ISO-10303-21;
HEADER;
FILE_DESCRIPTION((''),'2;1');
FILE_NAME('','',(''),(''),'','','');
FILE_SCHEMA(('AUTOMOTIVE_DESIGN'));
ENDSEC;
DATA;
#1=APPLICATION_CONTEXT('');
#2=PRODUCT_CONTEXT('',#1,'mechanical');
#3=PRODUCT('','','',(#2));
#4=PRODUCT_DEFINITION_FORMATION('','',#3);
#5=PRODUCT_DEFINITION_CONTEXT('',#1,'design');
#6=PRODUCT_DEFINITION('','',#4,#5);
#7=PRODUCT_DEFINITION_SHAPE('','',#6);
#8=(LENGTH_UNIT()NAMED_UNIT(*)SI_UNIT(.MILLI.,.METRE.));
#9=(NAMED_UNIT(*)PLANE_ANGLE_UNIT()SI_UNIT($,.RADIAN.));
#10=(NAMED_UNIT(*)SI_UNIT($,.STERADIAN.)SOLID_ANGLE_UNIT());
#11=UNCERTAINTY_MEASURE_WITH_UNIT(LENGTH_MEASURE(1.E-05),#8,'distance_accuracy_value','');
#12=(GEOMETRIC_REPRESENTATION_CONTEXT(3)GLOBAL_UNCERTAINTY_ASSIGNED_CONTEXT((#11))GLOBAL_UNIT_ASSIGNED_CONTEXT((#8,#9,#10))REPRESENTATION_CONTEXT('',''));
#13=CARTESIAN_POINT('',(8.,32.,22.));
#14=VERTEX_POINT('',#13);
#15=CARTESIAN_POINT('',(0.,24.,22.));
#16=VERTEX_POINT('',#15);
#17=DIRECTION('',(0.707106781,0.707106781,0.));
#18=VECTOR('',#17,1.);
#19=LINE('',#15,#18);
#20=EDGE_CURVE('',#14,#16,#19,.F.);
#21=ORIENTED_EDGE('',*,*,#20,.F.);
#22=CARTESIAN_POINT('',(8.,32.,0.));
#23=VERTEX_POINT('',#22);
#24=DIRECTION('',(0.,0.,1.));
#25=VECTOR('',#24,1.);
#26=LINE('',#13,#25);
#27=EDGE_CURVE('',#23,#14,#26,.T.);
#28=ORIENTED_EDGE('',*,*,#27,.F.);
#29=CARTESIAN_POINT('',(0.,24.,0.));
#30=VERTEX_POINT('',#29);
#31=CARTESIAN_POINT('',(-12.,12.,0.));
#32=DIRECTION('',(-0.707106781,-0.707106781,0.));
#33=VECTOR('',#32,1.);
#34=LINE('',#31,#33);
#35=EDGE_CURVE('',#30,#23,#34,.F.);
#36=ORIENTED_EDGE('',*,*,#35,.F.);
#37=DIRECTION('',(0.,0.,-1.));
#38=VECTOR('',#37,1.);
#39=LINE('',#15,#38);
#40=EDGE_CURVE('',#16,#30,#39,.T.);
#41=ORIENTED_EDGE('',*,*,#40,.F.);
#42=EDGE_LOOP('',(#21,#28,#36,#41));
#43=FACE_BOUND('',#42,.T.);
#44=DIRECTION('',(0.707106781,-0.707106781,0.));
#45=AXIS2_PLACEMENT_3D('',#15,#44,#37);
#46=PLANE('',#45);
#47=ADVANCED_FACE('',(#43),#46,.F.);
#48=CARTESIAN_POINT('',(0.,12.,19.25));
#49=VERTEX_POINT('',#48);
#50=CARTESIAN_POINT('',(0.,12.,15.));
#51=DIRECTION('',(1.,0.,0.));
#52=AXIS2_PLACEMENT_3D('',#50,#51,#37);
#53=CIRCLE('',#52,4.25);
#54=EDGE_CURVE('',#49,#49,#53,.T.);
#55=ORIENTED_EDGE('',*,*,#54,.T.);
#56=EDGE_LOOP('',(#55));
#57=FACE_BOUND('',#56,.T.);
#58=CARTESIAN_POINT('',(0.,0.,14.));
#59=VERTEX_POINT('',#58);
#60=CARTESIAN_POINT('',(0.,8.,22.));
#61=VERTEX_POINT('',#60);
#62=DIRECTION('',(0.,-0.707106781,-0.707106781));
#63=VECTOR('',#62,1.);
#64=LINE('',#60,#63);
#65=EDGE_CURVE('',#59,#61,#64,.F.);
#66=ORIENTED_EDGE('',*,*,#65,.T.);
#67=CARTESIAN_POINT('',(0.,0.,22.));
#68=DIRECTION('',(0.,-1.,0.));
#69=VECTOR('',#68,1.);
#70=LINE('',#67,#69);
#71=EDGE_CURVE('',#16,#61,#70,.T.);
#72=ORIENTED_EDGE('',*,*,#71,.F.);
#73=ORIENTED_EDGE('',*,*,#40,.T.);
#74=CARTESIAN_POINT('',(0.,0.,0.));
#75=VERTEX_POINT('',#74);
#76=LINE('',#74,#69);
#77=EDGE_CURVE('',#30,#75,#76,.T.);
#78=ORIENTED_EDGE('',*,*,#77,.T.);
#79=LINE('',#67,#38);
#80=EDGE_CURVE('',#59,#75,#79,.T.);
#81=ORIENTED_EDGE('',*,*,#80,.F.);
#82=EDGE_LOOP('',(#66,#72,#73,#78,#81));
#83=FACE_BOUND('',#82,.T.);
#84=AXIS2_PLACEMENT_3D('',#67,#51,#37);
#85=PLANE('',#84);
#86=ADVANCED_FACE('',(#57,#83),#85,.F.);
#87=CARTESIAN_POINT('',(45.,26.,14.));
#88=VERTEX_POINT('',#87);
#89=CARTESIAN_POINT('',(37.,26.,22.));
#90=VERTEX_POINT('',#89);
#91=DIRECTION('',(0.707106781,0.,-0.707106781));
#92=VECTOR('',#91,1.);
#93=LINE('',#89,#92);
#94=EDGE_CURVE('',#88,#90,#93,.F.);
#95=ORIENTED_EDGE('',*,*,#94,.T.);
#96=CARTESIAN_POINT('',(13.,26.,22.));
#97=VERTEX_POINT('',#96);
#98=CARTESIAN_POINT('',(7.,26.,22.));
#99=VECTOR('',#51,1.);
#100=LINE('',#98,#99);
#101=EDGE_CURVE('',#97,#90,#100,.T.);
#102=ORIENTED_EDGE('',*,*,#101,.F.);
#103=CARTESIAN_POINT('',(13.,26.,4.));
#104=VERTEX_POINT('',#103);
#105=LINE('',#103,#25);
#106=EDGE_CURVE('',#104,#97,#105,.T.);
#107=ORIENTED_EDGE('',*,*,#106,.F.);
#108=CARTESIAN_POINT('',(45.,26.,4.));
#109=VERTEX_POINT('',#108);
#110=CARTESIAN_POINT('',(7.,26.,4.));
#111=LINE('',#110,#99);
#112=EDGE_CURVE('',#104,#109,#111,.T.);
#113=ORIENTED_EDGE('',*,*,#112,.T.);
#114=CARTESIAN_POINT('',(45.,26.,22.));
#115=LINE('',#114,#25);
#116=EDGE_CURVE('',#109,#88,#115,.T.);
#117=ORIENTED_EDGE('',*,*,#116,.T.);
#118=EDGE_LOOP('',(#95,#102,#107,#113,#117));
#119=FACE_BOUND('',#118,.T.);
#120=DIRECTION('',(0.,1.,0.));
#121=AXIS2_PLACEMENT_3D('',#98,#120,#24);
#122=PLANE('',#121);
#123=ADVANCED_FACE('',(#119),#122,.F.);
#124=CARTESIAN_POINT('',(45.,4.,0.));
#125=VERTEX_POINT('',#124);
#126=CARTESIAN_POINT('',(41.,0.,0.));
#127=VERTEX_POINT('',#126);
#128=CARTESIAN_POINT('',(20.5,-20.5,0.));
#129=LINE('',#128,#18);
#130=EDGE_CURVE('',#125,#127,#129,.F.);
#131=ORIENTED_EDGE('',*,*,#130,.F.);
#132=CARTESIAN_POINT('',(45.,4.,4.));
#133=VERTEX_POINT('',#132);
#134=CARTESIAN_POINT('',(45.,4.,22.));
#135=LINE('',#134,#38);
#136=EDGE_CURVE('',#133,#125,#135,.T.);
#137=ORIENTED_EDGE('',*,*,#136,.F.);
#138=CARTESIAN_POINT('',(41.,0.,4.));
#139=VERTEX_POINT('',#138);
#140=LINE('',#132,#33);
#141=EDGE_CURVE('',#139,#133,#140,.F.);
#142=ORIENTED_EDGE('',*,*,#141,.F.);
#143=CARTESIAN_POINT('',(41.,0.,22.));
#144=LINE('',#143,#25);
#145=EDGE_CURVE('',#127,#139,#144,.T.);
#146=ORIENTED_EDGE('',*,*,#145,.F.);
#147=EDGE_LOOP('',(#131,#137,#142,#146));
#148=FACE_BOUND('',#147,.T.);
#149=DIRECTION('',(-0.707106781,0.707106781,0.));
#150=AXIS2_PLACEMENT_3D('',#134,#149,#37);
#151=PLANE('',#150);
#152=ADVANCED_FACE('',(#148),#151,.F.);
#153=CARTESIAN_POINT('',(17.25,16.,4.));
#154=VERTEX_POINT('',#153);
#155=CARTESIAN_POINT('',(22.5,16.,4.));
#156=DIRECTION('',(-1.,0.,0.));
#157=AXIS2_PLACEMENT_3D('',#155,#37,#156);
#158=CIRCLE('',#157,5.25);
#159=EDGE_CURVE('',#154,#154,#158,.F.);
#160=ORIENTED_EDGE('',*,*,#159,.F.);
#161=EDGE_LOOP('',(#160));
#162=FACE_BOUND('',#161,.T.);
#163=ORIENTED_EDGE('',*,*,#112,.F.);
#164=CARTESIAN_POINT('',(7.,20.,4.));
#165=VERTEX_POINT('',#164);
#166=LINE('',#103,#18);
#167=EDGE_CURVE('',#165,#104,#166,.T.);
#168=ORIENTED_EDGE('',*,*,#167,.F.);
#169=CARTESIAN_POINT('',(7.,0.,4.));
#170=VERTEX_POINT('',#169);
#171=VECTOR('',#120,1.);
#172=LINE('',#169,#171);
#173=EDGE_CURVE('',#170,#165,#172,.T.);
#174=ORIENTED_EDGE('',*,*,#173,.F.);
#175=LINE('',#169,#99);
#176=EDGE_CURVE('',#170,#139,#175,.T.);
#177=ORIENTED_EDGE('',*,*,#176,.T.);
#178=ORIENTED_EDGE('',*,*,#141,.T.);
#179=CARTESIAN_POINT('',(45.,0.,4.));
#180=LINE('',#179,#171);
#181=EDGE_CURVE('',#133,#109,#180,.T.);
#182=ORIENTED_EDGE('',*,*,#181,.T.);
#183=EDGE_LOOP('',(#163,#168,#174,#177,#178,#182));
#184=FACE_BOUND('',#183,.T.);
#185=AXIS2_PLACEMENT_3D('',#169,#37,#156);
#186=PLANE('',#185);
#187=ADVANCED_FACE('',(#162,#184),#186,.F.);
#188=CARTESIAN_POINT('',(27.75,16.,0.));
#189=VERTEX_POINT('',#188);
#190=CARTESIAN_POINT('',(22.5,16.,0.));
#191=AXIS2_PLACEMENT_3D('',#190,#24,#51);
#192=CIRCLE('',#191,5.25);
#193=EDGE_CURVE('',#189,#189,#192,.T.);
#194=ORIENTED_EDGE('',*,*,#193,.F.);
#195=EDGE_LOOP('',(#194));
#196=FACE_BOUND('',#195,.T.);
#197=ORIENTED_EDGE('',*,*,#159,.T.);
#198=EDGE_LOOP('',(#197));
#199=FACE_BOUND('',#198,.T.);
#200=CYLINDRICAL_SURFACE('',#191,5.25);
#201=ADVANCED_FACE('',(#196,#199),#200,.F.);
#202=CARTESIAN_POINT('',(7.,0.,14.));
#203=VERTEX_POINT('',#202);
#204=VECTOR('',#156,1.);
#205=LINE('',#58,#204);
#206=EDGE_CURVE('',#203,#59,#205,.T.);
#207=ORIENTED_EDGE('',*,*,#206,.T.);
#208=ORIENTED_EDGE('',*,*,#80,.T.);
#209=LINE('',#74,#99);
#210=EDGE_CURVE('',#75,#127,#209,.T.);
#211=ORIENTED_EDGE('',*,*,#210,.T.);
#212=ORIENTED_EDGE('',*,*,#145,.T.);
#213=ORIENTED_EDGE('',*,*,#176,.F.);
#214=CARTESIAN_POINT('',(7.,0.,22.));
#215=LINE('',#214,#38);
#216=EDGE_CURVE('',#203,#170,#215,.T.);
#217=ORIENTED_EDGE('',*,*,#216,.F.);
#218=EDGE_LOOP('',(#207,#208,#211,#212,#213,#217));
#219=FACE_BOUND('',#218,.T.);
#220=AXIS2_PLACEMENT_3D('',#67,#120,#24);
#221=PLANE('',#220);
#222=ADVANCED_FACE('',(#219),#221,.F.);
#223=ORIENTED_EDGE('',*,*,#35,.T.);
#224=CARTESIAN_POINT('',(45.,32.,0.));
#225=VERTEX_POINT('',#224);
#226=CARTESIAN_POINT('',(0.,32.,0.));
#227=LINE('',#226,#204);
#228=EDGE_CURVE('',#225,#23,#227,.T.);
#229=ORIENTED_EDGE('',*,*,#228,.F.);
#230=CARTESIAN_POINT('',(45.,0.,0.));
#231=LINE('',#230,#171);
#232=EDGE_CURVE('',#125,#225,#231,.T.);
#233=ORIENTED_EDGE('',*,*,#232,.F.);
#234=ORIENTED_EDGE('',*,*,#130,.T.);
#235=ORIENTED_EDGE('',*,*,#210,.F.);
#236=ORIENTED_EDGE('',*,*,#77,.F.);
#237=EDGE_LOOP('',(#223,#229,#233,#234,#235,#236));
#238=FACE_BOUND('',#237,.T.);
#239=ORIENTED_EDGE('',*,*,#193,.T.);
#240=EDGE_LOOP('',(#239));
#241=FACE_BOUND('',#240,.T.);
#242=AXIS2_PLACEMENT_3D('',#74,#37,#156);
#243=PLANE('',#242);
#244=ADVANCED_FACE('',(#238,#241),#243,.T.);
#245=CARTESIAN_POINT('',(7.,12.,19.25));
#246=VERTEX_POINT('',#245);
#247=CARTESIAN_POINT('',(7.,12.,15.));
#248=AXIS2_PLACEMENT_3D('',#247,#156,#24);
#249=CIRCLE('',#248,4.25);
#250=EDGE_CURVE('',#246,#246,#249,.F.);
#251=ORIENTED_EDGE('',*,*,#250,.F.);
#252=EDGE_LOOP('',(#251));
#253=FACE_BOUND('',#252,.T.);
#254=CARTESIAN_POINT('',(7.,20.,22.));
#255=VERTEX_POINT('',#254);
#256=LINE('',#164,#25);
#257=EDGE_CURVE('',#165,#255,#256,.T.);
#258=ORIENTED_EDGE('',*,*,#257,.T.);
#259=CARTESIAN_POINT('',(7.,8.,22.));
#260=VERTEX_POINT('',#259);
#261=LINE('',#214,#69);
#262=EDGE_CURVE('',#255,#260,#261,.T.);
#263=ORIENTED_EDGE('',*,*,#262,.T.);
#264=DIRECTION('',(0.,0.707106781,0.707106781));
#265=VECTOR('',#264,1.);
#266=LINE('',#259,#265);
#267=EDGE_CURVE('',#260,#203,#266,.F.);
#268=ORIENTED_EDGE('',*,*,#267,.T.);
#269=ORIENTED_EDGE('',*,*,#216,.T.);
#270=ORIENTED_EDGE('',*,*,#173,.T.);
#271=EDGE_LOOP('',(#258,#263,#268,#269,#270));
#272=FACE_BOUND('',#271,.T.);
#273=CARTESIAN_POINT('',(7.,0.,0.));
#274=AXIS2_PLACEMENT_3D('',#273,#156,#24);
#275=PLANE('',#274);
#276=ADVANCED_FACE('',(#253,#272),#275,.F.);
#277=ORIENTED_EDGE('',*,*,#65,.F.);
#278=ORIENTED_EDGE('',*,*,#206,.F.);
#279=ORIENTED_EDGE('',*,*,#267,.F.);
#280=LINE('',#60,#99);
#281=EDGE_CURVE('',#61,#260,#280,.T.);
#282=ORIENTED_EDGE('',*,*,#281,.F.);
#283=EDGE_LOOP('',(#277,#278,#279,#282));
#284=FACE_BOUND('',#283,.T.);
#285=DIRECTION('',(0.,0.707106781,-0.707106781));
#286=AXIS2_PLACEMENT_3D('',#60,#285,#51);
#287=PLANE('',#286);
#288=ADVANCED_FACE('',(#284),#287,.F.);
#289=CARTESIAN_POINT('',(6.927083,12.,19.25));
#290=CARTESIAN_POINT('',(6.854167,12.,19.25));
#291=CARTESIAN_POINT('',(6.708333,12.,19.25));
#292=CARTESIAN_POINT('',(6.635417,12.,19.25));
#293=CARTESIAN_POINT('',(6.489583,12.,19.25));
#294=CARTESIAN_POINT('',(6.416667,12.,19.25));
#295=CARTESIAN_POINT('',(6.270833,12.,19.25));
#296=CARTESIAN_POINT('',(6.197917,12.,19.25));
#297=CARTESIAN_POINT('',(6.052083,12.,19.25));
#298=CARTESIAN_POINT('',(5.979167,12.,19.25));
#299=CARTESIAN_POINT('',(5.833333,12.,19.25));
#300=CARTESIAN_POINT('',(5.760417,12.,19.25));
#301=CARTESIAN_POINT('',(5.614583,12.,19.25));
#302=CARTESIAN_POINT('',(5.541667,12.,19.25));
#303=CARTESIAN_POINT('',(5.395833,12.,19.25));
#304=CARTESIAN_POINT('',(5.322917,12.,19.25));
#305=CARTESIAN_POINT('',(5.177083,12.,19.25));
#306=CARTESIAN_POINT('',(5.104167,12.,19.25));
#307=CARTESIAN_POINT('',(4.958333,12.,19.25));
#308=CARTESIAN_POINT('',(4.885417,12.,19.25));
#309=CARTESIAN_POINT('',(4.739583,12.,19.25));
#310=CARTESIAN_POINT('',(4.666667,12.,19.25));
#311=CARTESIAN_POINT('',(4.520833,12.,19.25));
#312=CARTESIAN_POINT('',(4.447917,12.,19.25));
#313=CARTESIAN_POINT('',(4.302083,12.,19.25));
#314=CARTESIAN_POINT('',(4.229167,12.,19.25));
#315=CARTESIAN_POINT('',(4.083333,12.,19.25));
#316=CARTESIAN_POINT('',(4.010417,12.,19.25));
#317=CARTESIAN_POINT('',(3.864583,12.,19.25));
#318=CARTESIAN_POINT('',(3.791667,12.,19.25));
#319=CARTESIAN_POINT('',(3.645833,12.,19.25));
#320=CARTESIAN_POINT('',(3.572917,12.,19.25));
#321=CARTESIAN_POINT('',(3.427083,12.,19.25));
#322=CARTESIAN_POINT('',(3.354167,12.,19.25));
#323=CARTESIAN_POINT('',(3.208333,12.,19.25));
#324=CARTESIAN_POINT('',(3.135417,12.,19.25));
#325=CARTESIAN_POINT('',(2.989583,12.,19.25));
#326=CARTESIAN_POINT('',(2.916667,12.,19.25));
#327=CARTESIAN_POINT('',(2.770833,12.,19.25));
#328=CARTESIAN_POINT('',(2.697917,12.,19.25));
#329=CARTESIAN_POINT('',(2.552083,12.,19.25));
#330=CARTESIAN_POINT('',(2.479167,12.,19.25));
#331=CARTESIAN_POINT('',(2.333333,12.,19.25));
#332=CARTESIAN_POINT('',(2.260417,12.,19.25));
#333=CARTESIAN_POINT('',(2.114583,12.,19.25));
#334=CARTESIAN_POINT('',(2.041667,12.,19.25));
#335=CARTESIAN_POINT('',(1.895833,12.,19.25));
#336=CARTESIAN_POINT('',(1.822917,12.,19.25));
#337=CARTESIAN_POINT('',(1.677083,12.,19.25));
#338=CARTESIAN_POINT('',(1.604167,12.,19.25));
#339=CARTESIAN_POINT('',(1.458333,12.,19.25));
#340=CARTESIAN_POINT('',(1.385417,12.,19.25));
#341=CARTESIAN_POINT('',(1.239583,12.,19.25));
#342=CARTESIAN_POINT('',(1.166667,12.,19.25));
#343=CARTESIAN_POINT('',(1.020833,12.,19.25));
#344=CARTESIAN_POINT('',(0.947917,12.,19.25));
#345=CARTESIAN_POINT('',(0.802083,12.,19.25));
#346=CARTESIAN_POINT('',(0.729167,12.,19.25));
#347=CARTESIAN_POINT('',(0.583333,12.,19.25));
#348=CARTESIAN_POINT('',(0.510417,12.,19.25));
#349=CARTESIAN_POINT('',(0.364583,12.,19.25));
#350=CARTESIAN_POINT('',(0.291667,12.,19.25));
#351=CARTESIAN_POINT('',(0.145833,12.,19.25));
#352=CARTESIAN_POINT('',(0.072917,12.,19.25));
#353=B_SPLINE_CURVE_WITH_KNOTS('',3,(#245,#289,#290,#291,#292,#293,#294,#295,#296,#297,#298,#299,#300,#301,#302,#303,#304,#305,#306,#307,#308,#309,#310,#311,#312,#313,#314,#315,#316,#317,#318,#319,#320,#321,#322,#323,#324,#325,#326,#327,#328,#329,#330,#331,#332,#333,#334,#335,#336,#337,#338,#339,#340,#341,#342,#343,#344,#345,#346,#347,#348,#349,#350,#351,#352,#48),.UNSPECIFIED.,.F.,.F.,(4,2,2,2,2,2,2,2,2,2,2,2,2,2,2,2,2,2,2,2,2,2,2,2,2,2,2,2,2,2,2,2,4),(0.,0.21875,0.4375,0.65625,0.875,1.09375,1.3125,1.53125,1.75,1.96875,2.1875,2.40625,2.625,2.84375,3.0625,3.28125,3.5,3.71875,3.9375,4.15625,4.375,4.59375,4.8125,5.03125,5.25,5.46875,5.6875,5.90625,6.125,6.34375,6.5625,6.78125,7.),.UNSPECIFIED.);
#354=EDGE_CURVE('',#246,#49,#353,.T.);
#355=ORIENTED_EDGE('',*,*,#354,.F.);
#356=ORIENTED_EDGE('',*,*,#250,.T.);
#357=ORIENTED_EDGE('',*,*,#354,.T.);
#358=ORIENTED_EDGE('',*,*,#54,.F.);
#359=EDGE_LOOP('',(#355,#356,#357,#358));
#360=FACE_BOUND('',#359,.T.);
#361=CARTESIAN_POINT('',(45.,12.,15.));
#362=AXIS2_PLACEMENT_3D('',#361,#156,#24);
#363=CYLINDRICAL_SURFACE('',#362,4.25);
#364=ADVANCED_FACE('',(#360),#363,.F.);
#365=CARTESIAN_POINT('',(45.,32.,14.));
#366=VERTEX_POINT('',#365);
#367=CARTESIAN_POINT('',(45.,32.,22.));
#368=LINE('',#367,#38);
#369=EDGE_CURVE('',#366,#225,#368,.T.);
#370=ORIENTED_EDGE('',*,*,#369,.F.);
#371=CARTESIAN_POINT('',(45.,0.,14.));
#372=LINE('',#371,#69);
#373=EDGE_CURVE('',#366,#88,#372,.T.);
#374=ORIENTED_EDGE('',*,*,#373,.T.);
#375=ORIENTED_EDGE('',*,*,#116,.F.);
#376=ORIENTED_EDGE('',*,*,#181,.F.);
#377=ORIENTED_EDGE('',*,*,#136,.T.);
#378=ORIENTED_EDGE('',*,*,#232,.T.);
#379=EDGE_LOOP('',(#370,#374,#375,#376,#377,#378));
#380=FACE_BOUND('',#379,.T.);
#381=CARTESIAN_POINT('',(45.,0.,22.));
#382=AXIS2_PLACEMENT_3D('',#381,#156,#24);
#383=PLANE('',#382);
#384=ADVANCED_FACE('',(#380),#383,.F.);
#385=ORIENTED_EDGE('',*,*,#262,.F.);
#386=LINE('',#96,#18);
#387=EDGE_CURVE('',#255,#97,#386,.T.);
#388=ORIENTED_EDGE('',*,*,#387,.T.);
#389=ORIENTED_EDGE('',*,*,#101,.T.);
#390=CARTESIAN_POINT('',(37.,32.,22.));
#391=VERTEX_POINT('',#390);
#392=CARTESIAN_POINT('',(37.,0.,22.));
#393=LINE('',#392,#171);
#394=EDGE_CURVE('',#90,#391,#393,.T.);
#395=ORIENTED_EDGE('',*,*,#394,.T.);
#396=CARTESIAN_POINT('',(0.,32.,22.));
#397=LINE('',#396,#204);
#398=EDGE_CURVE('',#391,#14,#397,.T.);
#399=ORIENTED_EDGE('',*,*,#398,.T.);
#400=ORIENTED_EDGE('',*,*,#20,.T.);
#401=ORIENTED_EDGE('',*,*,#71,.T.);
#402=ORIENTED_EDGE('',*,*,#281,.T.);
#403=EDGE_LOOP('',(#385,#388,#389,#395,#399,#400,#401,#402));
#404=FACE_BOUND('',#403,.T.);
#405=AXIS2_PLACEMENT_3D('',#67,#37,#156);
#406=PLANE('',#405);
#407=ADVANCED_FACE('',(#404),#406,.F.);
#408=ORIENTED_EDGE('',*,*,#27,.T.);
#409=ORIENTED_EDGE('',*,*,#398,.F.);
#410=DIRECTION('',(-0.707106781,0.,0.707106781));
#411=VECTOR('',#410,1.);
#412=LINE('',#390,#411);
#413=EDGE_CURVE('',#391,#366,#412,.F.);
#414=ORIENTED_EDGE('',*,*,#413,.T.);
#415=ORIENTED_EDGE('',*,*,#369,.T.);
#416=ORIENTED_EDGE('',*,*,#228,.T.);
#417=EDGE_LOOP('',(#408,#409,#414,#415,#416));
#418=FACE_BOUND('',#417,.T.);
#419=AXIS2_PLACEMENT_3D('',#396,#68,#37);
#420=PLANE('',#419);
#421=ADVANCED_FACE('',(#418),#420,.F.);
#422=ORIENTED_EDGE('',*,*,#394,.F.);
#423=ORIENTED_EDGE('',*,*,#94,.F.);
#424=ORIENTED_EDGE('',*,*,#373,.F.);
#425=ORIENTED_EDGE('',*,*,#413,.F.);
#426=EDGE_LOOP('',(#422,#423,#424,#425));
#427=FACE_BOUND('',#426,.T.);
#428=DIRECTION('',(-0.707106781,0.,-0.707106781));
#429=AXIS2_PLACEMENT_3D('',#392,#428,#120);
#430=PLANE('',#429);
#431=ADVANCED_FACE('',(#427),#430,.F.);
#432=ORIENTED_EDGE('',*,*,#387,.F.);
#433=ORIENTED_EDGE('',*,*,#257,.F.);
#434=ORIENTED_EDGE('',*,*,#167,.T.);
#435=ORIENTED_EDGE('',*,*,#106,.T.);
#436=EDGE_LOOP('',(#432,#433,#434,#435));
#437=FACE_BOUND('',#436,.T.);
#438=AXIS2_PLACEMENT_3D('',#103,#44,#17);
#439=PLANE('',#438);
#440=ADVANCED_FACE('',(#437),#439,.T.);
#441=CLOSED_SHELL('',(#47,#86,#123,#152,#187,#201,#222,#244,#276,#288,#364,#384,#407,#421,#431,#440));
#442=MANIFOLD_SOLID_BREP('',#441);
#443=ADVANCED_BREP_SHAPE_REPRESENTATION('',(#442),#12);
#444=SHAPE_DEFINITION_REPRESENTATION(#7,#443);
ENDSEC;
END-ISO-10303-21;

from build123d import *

# Parameters (mm, degrees)
ESQUISSE1_W                  = 45
ESQUISSE1_H                  = 32
BOSS_EXTRU_1_DEPTH           = 22
ESQUISSE2_R                  = 5.25
ENL_V_MAT_EXTRU_1_DEPTH      = 60.439044407
ENL_V_MAT_EXTRU_2_DEPTH      = 60.439044407
ENL_V_MAT_EXTRU_2_DEPTH_BACK = 60.439044407
ESQUISSE3_R                  = 4.25
ESQUISSE4_W                  = 18
ESQUISSE4_H                  = 26
ENL_V_MAT_EXTRU_3_DEPTH      = 38
CHANFREIN1_SIZE              = 8
BOSS_EXTRU_2_DEPTH           = 18
CHANFREIN2_SIZE              = 4


with BuildPart() as part:
    # Esquisse1 → Boss.-Extru.1 (new body)
    with BuildSketch(Plane.XY):
        with Locations((22.5, 16)):
            Rectangle(ESQUISSE1_W, ESQUISSE1_H)
    extrude(amount=BOSS_EXTRU_1_DEPTH)

    # Esquisse2 → Enlèv. mat.-Extru.1 (cut, through all)
    with BuildSketch(Plane.XY.offset(22)):
        with Locations((22.5, 16)):
            Circle(ESQUISSE2_R)
    extrude(amount=-ENL_V_MAT_EXTRU_1_DEPTH, mode=Mode.SUBTRACT)

    # Esquisse3 → Enlèv. mat.-Extru.2 (cut, two sides: drawn at the far end of the back side and taken through both)
    with BuildSketch(Plane.ZY.offset(-ENL_V_MAT_EXTRU_2_DEPTH_BACK)):
        with Locations((15, 12)):
            Circle(ESQUISSE3_R)
    extrude(amount=ENL_V_MAT_EXTRU_2_DEPTH + ENL_V_MAT_EXTRU_2_DEPTH_BACK, mode=Mode.SUBTRACT)

    # Esquisse4 → Enlèv. mat.-Extru.3 (cut)
    with BuildSketch(Plane(origin=(45, 0, 0), x_dir=(0, 0, -1), z_dir=(1, 0, 0))):
        with Locations((-13, 13)):
            Rectangle(ESQUISSE4_W, ESQUISSE4_H)
    extrude(amount=-ENL_V_MAT_EXTRU_3_DEPTH, mode=Mode.SUBTRACT)

    # Chanfrein1
    chanfrein1_edges = [part.edges().sort_by_distance(p)[0] for p in [
        (45, 29, 22),
        (3.5, 0, 22),
        (0, 32, 11),
    ]]
    chamfer(chanfrein1_edges, length=CHANFREIN1_SIZE)

    # Esquisse7 → Boss.-Extru.2 (add)
    with BuildSketch(Plane.XY.offset(22)):
        Polygon((7, 26), (13, 26), (7, 20), align=None)
    extrude(amount=-BOSS_EXTRU_2_DEPTH)

    # Chanfrein2
    chanfrein2_edges = [part.edges().sort_by_distance(p)[0] for p in [
        (45, 0, 2),
    ]]
    chamfer(chanfrein2_edges, length=CHANFREIN2_SIZE)


solid = part.part
